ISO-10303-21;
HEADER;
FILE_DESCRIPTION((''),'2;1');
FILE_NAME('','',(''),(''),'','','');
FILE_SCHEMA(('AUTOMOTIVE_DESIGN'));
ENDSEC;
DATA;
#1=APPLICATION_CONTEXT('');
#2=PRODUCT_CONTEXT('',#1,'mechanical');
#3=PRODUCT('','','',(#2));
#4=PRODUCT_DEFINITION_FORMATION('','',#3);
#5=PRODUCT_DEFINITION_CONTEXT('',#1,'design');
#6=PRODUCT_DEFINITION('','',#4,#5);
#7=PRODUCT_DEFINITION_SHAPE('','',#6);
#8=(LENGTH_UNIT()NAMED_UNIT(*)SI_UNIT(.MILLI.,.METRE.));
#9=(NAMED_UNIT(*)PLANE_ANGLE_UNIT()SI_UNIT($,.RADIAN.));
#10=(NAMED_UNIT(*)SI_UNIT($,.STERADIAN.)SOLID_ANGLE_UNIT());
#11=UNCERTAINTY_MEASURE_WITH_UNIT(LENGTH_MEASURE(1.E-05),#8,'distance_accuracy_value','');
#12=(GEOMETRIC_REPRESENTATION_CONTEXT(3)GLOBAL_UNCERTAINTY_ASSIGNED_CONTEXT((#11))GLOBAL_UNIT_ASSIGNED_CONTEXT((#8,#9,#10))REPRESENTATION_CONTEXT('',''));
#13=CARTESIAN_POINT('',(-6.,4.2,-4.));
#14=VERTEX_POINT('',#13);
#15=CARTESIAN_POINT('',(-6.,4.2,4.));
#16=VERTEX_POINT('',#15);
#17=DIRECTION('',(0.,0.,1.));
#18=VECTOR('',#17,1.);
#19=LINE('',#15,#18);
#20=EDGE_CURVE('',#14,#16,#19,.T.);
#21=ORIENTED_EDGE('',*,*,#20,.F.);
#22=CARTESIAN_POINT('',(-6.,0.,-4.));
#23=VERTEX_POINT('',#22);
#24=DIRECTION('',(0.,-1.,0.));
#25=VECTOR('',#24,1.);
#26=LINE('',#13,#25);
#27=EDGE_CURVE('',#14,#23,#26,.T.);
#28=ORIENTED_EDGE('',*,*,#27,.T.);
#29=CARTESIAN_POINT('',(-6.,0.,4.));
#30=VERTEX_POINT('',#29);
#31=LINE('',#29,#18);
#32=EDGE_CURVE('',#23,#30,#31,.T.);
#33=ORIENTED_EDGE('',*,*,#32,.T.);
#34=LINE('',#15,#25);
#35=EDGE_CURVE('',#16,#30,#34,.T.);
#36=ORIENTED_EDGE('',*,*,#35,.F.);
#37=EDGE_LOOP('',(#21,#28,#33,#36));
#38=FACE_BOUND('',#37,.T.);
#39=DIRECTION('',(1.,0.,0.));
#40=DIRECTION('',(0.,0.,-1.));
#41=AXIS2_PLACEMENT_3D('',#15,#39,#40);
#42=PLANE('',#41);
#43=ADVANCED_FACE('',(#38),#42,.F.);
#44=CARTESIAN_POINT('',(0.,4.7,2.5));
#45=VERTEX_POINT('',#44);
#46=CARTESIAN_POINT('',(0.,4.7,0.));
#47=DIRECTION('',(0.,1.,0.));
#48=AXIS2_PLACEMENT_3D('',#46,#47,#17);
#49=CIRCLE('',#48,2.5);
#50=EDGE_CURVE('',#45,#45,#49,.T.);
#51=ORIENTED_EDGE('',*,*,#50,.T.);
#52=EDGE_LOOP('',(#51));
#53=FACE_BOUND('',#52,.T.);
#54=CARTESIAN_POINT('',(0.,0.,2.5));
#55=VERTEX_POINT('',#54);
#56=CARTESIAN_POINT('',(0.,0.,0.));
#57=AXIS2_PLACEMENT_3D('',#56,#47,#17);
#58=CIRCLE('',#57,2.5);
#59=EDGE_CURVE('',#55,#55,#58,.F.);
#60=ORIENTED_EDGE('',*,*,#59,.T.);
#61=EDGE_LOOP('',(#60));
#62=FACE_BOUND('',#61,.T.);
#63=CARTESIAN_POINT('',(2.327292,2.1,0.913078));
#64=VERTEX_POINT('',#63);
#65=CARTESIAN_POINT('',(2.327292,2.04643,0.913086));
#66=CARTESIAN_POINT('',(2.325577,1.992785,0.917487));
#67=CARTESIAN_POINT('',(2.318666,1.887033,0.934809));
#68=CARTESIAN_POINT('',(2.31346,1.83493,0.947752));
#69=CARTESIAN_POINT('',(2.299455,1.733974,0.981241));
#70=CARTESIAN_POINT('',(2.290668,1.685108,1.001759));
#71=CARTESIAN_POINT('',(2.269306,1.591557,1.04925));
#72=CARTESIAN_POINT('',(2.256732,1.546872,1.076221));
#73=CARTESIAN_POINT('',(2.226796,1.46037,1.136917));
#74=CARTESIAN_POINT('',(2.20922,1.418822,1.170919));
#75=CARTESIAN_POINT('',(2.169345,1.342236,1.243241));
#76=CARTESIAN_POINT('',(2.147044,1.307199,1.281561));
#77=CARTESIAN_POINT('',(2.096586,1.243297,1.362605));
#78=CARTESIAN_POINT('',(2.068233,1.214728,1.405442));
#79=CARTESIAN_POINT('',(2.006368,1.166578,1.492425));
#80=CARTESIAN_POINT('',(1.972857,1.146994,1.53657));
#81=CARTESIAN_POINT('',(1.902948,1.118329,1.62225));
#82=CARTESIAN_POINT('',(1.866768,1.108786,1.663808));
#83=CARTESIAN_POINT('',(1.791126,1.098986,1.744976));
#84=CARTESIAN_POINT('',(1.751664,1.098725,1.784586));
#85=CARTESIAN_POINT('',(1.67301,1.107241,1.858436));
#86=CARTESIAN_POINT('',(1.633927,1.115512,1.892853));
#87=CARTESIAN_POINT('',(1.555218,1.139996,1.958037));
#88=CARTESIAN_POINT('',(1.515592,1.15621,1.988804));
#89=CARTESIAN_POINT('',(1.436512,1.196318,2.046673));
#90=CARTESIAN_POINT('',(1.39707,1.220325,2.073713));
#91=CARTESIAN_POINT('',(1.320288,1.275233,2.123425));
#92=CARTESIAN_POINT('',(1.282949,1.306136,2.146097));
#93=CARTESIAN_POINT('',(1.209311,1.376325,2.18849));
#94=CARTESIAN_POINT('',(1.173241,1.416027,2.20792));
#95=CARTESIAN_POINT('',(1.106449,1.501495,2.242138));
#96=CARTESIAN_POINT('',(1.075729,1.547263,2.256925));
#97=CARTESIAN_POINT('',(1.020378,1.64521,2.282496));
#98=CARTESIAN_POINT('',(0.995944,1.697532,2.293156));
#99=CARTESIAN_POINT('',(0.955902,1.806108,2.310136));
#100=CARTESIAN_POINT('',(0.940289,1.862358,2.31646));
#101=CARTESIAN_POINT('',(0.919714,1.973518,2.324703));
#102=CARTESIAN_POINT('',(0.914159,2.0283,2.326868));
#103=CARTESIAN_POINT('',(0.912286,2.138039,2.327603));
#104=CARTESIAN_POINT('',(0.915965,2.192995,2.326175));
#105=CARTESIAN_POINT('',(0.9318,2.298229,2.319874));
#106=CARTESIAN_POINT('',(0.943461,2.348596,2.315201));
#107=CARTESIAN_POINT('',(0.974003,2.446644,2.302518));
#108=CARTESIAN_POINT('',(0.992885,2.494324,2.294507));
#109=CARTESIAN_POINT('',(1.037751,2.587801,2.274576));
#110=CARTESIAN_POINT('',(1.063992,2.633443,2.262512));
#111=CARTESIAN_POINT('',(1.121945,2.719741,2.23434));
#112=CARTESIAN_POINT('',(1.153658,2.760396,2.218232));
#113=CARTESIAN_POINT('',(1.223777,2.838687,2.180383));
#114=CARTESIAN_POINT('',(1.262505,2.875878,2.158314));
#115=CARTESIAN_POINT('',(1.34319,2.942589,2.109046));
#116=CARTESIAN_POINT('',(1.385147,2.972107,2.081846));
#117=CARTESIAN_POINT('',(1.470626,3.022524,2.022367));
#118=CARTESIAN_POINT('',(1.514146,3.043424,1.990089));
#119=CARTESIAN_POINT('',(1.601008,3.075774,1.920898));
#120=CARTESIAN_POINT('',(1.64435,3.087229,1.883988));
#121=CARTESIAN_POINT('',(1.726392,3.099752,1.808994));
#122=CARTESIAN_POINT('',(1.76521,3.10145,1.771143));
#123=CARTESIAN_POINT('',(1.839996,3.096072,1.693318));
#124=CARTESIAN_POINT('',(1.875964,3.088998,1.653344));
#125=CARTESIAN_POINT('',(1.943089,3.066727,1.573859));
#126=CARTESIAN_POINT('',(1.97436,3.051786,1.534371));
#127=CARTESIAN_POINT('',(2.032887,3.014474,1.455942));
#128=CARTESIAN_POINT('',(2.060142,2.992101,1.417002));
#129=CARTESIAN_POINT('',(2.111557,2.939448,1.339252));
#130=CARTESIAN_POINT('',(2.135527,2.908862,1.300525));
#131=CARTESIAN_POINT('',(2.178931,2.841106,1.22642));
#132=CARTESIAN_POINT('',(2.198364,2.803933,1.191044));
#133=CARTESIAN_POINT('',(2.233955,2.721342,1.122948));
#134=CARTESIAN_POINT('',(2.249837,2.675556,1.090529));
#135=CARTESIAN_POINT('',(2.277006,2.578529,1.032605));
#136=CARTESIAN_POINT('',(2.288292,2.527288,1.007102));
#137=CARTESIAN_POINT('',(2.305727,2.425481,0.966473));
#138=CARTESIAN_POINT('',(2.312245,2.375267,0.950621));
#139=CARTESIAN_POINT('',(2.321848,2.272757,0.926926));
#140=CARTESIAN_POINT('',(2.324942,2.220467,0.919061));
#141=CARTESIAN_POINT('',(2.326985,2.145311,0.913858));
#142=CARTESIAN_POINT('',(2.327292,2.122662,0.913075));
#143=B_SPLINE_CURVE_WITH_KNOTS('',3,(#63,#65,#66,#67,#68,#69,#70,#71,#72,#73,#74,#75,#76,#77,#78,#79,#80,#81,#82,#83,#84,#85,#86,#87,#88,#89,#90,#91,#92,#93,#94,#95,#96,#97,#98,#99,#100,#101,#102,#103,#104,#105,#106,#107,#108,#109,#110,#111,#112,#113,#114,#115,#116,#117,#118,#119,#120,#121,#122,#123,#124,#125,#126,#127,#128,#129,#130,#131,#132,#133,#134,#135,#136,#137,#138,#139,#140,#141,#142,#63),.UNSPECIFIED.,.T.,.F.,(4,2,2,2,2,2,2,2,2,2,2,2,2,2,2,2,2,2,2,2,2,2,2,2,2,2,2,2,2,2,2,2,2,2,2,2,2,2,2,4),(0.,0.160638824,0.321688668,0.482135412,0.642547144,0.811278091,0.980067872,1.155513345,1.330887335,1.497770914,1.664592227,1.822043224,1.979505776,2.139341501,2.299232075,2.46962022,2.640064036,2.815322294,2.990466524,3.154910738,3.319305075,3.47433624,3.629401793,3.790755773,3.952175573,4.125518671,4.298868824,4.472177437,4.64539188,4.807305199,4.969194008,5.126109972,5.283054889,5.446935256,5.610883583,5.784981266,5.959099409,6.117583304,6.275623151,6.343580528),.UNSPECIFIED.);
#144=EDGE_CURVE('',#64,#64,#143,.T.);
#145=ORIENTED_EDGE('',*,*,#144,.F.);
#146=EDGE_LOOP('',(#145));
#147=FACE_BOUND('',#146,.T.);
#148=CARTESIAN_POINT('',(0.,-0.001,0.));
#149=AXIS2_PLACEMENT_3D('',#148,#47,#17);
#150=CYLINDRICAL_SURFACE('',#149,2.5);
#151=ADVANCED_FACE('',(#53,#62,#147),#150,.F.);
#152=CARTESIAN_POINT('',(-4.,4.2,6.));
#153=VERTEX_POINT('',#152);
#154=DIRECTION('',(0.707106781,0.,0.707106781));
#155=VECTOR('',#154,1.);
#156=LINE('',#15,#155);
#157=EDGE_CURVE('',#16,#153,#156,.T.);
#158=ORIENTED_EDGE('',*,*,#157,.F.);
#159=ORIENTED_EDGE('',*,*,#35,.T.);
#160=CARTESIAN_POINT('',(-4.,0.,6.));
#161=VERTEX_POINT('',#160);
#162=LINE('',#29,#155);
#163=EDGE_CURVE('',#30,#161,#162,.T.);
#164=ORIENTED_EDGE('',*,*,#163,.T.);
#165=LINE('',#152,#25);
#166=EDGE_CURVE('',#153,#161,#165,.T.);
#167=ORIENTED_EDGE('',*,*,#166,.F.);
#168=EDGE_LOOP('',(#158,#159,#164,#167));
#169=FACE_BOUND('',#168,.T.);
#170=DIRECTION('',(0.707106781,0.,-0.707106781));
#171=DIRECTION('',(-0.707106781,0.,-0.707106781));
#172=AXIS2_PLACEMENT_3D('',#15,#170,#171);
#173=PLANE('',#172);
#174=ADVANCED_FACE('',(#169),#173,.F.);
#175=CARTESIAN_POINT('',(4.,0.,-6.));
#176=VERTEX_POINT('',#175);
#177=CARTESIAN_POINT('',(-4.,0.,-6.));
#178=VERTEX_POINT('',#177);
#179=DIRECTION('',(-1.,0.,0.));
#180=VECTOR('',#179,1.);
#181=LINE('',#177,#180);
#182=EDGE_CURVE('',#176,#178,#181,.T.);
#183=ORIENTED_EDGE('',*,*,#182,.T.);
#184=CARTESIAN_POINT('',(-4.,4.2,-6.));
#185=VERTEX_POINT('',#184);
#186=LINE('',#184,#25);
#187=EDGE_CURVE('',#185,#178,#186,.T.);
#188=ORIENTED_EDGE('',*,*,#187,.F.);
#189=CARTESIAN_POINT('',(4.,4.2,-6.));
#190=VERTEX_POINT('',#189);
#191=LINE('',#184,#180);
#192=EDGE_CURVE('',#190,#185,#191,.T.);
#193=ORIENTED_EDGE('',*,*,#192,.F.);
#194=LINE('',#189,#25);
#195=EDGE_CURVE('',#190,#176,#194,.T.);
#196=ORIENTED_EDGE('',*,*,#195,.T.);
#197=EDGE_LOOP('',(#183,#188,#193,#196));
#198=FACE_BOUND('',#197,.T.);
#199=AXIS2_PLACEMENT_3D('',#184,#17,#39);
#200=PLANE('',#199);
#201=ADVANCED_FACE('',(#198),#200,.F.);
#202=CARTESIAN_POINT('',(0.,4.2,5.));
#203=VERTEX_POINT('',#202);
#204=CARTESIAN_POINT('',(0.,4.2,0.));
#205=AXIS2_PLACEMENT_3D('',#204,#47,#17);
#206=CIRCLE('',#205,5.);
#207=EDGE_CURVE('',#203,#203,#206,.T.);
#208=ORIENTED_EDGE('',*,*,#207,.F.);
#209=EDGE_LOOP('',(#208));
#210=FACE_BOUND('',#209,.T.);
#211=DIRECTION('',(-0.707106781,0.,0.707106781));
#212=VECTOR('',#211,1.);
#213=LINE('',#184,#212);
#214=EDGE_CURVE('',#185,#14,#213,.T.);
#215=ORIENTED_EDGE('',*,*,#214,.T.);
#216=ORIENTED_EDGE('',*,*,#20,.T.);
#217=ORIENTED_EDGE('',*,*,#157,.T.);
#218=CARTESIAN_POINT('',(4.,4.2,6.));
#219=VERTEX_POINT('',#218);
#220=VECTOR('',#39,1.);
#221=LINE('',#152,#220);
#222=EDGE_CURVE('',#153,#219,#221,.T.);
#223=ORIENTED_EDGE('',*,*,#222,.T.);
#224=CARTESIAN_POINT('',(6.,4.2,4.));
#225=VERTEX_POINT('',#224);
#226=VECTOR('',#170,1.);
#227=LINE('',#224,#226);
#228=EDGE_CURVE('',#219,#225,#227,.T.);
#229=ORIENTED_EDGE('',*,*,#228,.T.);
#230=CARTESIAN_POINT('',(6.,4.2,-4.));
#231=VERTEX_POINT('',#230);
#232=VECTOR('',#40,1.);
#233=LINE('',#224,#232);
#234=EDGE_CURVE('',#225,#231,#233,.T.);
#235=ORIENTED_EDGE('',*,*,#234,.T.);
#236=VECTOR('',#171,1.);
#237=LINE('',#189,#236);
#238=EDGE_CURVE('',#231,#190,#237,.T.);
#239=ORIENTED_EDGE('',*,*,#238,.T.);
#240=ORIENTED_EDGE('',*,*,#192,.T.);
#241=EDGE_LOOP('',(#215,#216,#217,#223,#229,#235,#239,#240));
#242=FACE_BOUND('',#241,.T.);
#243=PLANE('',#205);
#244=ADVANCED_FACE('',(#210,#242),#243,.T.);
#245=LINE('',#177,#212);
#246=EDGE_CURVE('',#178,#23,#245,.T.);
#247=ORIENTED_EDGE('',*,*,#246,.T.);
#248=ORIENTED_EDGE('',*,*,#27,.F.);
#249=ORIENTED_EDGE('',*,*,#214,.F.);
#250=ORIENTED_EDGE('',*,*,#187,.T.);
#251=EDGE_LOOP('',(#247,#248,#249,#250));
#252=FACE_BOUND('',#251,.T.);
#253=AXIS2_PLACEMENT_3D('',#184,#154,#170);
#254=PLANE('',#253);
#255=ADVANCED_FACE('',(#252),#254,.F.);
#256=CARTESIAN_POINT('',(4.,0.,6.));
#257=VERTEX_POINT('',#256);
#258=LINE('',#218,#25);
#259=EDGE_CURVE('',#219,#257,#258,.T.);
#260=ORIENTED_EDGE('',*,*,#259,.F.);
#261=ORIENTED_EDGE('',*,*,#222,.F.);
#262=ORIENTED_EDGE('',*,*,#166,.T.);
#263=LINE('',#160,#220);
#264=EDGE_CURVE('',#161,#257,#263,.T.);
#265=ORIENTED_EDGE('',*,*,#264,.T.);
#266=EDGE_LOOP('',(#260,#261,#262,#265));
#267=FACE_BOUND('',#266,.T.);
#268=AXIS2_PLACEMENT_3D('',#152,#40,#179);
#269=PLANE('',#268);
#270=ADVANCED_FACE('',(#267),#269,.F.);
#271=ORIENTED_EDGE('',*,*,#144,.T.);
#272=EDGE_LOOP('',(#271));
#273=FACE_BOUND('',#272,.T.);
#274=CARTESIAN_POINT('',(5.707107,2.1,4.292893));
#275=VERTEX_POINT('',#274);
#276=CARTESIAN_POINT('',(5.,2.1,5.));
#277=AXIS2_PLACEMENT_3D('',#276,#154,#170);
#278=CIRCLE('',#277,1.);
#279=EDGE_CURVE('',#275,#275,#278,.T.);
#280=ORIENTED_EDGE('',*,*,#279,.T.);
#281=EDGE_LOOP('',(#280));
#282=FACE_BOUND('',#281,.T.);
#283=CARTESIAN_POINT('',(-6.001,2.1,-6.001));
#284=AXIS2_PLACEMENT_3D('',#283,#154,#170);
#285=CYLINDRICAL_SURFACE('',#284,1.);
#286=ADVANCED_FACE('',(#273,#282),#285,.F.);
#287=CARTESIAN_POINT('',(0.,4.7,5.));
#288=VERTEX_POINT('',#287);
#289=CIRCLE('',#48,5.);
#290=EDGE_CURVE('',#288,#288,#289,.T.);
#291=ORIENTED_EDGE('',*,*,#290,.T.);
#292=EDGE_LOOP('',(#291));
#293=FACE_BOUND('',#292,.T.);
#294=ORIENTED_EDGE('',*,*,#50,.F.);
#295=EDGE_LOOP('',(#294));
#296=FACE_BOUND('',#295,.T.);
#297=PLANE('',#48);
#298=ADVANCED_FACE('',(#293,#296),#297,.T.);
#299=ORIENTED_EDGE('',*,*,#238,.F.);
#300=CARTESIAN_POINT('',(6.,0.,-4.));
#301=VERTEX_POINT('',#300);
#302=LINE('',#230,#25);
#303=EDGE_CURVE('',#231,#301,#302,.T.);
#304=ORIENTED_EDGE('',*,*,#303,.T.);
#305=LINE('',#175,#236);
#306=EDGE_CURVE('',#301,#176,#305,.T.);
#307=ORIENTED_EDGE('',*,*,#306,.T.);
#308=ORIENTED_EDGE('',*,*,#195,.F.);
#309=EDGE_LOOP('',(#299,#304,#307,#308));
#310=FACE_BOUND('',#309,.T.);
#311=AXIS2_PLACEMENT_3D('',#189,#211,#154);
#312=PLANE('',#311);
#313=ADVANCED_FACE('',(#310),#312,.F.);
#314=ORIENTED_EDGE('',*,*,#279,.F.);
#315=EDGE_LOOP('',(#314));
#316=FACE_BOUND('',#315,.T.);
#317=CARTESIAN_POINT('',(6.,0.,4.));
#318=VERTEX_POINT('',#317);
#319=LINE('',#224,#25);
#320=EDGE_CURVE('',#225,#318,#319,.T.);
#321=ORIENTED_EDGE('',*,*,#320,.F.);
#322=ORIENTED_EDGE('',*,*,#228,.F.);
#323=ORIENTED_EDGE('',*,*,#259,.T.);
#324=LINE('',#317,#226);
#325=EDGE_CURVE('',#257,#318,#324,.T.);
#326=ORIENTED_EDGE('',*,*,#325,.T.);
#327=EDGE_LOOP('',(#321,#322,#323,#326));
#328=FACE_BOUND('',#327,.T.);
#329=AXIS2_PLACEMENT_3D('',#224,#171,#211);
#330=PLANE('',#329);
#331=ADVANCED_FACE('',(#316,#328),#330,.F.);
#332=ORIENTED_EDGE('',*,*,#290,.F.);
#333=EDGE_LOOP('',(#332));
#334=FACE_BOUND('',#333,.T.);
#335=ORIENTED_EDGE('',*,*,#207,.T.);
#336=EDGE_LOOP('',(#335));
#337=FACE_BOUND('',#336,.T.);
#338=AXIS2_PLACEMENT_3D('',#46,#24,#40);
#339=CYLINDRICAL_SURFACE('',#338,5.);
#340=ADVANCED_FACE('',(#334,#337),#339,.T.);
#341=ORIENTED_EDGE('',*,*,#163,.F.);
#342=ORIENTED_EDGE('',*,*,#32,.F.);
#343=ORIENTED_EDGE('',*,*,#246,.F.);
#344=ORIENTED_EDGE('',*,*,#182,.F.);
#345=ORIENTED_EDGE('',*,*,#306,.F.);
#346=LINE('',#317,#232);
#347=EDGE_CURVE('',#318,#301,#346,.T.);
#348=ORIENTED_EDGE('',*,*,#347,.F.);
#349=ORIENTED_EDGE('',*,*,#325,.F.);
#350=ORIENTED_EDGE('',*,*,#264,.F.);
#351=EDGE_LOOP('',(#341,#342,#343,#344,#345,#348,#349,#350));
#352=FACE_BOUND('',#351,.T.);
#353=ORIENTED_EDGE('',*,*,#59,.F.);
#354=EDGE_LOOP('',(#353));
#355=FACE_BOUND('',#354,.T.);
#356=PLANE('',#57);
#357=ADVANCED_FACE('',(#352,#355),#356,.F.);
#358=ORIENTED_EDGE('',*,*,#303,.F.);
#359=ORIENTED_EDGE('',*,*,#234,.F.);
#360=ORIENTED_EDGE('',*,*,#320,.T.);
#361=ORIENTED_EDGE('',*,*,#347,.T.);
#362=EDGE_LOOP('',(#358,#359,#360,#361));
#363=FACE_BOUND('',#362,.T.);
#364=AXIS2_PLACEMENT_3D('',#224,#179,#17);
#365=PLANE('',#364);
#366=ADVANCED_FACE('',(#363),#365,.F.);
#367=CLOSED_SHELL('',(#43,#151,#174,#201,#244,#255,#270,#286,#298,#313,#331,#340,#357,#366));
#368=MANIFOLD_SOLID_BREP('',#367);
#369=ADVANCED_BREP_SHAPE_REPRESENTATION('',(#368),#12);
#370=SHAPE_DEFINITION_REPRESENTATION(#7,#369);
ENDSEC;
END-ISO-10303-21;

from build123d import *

# Parameters (mm, degrees)
BOSS_EXTRUDE1_DEPTH     = 4.2
SKETCH3_R               = 5
BOSS_EXTRUDE2_DEPTH     = 0.5
CUT_EXTRUDE1_REACH      = 11.7
SKETCH4_R               = 2.5
CUT_EXTRUDE2_REACH      = 18.251
CUT_EXTRUDE2_END_RADIUS = 2.5
SKETCH5_R               = 1


with BuildPart() as part:
    # Sketch1 → Boss-Extrude1 (new body)
    with BuildSketch(Plane(origin=(0, 0, 0), x_dir=(1, 0, 0), z_dir=(0, 1, 0))):
        Polygon((-4, 6), (-6, 4), (-6, -4), (-4, -6), (4, -6), (6, -4), (6, 4), (4, 6), align=None)
    extrude(amount=BOSS_EXTRUDE1_DEPTH)

    # Sketch3 → Boss-Extrude2 (add)
    with BuildSketch(Plane(origin=(0, 4.2, 0), x_dir=(1, 0, 0), z_dir=(0, 1, 0))):
        with Locations(Location((0, 0, 0), (0, 0, 270))):
            Circle(SKETCH3_R)
    extrude(amount=BOSS_EXTRUDE2_DEPTH)

    # Sketch4 → Cut-Extrude1 (cut, up to next)
    with BuildSketch(Plane(origin=(0, 4.7, 0), x_dir=(1, 0, 0), z_dir=(0, 1, 0)), mode=Mode.PRIVATE) as cut_extrude1_sk1:
        with Locations(Location((0, 0, 0), (0, 0, 270))):
            Circle(SKETCH4_R)
    cut_extrude1_tool1 = extrude(cut_extrude1_sk1.sketch, amount=-CUT_EXTRUDE1_REACH, mode=Mode.PRIVATE) & part.part
    add(cut_extrude1_tool1.solids().sort_by_distance((0, 4.7, 0))[0], mode=Mode.SUBTRACT)

    # Cut-Extrude2: up to this cylinder (the profile starts outside it)
    cut_extrude2_end = Plane(origin=(0, 2.1, 0), z_dir=(0, 1, 0)) * Cylinder(CUT_EXTRUDE2_END_RADIUS, 42.502, mode=Mode.PRIVATE)
    # Sketch5 → Cut-Extrude2 (cut, up to the surface)
    with BuildSketch(Plane(origin=(5, 0, 5), x_dir=(0.7071067811865481, 0, -0.7071067811865469), z_dir=(0.7071067811865469, 0, 0.7071067811865481)), mode=Mode.PRIVATE) as cut_extrude2_sk1:
        with Locations((0, 2.1)):
            Circle(SKETCH5_R)
    cut_extrude2_tool1 = extrude(cut_extrude2_sk1.sketch, amount=-CUT_EXTRUDE2_REACH, mode=Mode.PRIVATE) - cut_extrude2_end
    add(cut_extrude2_tool1.solids().sort_by_distance((5, 2.1, 5))[0], mode=Mode.SUBTRACT)


solid = part.part
